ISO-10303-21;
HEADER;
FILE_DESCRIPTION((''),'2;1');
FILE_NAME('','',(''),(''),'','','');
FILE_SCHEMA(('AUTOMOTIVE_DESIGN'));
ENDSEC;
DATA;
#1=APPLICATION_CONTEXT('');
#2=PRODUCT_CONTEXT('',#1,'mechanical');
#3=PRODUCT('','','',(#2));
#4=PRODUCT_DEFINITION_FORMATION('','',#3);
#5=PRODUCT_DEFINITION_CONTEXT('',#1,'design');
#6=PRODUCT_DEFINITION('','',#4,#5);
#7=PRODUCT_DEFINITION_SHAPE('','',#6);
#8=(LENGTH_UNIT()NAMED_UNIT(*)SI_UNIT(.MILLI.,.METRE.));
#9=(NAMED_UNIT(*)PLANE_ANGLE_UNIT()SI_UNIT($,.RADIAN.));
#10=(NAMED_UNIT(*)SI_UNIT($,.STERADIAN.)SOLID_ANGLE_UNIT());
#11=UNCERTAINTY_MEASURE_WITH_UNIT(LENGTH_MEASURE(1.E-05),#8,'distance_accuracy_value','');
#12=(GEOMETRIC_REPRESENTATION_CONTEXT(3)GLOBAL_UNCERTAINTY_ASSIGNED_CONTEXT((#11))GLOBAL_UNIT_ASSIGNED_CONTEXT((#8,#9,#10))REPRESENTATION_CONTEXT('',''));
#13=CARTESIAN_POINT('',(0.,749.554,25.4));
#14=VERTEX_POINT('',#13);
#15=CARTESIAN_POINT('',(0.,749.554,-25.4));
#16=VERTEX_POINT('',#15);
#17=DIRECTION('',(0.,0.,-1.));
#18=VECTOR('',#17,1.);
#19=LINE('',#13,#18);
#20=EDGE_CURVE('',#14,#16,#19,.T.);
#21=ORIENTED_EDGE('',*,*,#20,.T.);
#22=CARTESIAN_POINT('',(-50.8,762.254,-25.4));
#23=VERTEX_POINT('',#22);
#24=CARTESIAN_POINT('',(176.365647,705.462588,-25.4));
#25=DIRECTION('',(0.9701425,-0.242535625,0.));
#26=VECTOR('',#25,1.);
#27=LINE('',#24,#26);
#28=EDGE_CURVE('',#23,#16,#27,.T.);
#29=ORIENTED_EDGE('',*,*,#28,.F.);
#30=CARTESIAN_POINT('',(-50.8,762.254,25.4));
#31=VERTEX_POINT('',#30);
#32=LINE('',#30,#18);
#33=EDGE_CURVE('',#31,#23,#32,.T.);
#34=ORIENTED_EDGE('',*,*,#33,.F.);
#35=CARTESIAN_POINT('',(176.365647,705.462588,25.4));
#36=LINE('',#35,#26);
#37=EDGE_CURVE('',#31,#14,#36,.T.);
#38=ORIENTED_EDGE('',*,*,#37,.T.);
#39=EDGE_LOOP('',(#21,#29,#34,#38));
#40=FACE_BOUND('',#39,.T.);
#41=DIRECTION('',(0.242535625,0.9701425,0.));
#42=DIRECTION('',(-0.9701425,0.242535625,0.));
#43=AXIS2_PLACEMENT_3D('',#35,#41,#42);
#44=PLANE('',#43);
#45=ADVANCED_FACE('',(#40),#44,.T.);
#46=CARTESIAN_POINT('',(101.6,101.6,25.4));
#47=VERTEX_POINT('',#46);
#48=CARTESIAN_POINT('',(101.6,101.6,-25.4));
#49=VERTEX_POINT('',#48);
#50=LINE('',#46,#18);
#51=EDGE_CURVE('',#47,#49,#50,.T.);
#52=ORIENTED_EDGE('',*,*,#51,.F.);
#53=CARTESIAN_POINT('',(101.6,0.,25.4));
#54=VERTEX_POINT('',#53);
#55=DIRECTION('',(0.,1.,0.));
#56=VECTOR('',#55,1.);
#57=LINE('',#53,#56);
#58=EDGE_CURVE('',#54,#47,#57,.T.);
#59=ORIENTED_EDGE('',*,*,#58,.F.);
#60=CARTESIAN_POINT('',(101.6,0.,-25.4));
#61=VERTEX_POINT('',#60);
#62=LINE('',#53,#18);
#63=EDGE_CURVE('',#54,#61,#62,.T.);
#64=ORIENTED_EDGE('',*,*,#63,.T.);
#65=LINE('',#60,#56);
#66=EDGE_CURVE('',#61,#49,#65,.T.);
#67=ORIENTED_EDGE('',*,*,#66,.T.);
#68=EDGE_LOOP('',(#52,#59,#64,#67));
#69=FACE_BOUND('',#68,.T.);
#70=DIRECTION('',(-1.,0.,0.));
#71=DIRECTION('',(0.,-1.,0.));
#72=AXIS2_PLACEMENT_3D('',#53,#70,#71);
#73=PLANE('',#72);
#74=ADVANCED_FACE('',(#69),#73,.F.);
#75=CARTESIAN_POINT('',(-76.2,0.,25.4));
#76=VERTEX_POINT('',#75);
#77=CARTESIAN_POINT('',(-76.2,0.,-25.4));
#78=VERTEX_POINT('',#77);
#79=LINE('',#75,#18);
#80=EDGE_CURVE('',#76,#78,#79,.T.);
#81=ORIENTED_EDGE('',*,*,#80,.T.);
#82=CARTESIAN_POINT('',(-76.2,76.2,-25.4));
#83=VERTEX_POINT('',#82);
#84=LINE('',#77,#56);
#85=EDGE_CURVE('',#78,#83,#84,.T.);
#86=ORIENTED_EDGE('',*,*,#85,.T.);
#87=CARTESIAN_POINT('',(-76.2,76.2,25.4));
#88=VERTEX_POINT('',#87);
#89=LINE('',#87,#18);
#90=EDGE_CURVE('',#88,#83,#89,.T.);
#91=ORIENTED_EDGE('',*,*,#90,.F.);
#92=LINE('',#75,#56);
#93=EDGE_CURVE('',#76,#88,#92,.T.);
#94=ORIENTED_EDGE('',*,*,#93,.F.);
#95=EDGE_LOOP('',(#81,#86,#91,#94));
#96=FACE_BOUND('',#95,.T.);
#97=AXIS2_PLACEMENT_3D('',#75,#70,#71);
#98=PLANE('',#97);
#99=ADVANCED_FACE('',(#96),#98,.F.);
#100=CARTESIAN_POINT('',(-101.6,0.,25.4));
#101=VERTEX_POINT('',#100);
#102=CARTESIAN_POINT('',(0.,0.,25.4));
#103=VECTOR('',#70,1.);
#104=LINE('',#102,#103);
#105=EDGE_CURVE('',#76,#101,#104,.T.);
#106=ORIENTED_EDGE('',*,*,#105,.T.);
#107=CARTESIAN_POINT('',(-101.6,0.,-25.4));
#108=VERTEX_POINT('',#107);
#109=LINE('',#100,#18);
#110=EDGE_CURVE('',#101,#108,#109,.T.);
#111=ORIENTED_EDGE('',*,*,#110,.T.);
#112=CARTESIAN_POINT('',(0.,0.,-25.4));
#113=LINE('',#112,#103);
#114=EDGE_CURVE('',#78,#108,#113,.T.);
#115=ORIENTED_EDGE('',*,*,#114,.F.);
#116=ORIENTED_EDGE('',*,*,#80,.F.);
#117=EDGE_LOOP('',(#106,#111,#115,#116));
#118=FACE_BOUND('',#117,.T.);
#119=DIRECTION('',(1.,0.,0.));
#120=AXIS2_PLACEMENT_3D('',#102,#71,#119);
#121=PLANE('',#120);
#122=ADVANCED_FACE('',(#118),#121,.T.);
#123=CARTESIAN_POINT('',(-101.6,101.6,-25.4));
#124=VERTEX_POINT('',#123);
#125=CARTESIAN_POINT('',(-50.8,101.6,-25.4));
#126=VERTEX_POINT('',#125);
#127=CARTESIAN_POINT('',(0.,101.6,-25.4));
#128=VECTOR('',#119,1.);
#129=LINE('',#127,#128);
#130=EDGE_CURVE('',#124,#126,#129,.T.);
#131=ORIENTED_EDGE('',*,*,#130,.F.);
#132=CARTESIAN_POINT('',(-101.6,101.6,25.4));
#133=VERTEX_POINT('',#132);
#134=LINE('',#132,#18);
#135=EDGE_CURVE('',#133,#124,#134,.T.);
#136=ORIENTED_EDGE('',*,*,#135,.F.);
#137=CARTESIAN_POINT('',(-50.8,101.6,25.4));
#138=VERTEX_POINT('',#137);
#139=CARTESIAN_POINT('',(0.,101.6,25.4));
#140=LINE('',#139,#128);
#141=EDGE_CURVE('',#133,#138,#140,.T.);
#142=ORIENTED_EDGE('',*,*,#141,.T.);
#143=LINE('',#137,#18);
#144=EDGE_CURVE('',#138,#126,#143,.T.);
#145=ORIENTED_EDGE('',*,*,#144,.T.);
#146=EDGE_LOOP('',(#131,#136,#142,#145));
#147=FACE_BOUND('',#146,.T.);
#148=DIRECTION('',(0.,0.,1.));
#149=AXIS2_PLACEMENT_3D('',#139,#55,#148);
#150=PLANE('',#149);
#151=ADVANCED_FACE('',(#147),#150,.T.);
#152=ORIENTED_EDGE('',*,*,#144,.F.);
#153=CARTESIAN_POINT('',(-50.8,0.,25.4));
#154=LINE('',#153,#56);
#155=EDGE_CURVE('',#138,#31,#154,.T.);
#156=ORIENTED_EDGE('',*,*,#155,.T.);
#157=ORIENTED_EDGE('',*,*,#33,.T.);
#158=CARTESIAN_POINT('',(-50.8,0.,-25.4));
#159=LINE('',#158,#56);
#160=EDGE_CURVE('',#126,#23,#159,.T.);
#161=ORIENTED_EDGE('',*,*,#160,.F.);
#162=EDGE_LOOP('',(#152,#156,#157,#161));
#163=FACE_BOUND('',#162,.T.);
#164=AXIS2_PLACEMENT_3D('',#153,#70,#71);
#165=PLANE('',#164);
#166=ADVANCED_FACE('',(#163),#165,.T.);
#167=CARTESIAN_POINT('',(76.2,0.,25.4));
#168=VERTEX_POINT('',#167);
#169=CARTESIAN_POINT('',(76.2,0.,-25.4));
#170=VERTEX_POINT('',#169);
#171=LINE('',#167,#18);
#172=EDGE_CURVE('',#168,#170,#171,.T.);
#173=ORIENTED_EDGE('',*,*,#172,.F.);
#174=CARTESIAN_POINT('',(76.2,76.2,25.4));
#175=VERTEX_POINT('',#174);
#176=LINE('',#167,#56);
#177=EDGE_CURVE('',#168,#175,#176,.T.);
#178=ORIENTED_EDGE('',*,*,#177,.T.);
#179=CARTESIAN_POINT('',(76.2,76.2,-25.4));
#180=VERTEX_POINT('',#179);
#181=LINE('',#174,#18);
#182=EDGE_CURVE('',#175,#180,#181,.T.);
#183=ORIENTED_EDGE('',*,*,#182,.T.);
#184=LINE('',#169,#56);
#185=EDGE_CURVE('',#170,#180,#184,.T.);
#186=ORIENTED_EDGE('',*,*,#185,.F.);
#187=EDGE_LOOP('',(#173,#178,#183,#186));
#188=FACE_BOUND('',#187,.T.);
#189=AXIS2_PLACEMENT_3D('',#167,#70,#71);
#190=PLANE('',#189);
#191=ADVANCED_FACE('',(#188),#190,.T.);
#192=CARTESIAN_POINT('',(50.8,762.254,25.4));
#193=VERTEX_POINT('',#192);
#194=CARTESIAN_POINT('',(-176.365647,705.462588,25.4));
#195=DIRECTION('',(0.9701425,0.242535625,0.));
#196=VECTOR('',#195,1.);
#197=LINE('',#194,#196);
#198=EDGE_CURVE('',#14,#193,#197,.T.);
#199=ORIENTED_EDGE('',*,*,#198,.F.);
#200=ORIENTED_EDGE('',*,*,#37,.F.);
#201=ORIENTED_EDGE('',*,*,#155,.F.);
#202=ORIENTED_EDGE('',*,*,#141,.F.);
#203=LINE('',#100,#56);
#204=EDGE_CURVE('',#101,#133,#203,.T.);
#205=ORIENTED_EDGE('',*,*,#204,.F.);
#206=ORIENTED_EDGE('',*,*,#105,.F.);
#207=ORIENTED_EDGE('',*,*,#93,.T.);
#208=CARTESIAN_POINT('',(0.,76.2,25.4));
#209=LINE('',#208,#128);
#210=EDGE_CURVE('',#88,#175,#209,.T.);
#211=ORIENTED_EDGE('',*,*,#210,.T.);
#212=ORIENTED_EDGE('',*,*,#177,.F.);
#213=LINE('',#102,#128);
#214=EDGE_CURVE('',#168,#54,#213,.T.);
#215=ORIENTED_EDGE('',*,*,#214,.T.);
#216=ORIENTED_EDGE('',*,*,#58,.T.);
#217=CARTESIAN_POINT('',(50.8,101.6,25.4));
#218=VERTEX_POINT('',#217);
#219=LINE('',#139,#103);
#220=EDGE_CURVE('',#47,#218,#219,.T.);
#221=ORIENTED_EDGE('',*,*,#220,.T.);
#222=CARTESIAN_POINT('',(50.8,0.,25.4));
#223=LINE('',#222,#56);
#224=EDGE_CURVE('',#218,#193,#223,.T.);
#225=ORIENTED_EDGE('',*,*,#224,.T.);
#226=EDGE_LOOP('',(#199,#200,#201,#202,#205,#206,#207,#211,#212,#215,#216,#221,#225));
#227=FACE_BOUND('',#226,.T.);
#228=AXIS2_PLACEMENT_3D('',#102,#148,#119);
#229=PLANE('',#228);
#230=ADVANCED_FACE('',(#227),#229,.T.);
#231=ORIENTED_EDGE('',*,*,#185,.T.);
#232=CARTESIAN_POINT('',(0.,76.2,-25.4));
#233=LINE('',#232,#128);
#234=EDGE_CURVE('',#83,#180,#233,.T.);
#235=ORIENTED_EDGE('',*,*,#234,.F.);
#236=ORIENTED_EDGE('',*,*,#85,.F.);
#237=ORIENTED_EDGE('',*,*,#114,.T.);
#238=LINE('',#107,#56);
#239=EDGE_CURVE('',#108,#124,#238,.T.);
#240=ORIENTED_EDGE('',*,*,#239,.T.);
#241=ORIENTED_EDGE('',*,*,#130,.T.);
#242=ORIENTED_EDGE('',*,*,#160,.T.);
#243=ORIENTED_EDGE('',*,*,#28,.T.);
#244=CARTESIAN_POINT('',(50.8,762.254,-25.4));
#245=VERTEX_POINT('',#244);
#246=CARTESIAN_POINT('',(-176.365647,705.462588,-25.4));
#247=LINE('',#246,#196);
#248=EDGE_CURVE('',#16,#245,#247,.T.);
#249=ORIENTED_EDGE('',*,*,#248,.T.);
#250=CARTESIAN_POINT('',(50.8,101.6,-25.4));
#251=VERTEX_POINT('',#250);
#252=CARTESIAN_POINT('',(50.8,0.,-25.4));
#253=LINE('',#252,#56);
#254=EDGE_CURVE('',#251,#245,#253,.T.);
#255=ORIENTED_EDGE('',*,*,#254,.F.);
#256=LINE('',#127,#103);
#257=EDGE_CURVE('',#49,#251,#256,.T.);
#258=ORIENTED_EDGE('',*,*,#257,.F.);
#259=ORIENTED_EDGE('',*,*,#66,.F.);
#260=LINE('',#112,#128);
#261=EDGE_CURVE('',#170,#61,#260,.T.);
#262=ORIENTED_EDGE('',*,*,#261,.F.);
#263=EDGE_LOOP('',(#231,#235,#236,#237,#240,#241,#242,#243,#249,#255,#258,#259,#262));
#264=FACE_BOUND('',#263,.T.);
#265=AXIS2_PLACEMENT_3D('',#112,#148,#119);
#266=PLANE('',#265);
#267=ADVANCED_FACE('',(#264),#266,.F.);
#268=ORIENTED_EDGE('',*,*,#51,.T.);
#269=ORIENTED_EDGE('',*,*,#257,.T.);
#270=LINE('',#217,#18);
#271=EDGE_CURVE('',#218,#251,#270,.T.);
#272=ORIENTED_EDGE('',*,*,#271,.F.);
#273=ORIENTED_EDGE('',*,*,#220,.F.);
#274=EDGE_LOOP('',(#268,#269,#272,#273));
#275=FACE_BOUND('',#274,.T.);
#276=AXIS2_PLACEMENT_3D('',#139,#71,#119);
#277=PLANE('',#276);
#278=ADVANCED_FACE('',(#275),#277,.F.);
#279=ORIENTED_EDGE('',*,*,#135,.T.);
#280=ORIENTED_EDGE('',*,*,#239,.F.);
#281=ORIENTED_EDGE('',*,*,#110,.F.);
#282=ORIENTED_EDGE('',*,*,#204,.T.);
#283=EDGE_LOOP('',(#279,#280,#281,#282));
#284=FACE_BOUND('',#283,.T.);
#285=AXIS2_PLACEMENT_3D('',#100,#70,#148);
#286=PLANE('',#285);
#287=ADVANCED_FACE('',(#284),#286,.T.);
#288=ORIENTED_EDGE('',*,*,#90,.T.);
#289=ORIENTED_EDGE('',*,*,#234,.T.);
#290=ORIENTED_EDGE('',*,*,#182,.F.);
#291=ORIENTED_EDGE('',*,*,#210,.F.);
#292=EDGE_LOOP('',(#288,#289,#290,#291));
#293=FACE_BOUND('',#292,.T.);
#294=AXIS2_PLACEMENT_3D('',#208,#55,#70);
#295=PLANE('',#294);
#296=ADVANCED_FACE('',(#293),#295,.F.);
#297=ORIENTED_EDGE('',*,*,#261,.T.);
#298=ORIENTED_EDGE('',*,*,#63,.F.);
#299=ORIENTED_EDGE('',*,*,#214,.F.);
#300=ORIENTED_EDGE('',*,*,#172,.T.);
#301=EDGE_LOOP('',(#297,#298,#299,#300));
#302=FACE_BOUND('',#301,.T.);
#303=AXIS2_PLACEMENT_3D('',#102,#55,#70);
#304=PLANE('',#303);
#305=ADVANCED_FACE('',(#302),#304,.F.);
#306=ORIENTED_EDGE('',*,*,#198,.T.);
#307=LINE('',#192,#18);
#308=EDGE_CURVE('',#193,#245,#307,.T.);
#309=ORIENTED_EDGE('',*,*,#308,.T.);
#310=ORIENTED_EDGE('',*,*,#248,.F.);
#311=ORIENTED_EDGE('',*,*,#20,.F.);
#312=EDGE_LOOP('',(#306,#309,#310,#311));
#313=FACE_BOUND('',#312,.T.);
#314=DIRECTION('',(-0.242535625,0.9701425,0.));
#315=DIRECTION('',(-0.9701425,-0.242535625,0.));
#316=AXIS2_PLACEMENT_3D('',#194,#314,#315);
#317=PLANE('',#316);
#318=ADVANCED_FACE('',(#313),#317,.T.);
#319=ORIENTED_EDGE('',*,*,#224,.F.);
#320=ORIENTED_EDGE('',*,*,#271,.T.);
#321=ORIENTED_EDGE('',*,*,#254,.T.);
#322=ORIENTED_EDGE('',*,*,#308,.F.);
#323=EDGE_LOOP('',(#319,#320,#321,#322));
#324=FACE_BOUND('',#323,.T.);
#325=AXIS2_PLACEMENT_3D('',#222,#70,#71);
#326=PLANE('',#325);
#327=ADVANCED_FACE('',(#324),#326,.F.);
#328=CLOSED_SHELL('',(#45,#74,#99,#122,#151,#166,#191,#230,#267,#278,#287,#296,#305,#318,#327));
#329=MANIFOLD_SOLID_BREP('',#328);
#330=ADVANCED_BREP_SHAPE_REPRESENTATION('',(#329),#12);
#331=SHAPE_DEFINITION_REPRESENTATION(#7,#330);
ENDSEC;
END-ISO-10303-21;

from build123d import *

# Parameters (mm, degrees)
BOSS_EXTRUDE1_DEPTH = 25.4


with BuildPart() as part:
    # Sketch1 → Boss-Extrude1 (new body, symmetric)
    with BuildSketch(Plane.XY):
        Polygon((0, 749.554), (-50.8, 762.254), (-50.8, 101.6), (-101.6, 101.6), (-101.6, 0), (-76.2, 0), (-76.2, 76.2), (0, 76.2), (76.2, 76.2), (76.2, 0), (101.6, 0), (101.6, 101.6), (50.8, 101.6), (50.8, 762.254), align=None)
    extrude(amount=BOSS_EXTRUDE1_DEPTH, both=True)


solid = part.part
